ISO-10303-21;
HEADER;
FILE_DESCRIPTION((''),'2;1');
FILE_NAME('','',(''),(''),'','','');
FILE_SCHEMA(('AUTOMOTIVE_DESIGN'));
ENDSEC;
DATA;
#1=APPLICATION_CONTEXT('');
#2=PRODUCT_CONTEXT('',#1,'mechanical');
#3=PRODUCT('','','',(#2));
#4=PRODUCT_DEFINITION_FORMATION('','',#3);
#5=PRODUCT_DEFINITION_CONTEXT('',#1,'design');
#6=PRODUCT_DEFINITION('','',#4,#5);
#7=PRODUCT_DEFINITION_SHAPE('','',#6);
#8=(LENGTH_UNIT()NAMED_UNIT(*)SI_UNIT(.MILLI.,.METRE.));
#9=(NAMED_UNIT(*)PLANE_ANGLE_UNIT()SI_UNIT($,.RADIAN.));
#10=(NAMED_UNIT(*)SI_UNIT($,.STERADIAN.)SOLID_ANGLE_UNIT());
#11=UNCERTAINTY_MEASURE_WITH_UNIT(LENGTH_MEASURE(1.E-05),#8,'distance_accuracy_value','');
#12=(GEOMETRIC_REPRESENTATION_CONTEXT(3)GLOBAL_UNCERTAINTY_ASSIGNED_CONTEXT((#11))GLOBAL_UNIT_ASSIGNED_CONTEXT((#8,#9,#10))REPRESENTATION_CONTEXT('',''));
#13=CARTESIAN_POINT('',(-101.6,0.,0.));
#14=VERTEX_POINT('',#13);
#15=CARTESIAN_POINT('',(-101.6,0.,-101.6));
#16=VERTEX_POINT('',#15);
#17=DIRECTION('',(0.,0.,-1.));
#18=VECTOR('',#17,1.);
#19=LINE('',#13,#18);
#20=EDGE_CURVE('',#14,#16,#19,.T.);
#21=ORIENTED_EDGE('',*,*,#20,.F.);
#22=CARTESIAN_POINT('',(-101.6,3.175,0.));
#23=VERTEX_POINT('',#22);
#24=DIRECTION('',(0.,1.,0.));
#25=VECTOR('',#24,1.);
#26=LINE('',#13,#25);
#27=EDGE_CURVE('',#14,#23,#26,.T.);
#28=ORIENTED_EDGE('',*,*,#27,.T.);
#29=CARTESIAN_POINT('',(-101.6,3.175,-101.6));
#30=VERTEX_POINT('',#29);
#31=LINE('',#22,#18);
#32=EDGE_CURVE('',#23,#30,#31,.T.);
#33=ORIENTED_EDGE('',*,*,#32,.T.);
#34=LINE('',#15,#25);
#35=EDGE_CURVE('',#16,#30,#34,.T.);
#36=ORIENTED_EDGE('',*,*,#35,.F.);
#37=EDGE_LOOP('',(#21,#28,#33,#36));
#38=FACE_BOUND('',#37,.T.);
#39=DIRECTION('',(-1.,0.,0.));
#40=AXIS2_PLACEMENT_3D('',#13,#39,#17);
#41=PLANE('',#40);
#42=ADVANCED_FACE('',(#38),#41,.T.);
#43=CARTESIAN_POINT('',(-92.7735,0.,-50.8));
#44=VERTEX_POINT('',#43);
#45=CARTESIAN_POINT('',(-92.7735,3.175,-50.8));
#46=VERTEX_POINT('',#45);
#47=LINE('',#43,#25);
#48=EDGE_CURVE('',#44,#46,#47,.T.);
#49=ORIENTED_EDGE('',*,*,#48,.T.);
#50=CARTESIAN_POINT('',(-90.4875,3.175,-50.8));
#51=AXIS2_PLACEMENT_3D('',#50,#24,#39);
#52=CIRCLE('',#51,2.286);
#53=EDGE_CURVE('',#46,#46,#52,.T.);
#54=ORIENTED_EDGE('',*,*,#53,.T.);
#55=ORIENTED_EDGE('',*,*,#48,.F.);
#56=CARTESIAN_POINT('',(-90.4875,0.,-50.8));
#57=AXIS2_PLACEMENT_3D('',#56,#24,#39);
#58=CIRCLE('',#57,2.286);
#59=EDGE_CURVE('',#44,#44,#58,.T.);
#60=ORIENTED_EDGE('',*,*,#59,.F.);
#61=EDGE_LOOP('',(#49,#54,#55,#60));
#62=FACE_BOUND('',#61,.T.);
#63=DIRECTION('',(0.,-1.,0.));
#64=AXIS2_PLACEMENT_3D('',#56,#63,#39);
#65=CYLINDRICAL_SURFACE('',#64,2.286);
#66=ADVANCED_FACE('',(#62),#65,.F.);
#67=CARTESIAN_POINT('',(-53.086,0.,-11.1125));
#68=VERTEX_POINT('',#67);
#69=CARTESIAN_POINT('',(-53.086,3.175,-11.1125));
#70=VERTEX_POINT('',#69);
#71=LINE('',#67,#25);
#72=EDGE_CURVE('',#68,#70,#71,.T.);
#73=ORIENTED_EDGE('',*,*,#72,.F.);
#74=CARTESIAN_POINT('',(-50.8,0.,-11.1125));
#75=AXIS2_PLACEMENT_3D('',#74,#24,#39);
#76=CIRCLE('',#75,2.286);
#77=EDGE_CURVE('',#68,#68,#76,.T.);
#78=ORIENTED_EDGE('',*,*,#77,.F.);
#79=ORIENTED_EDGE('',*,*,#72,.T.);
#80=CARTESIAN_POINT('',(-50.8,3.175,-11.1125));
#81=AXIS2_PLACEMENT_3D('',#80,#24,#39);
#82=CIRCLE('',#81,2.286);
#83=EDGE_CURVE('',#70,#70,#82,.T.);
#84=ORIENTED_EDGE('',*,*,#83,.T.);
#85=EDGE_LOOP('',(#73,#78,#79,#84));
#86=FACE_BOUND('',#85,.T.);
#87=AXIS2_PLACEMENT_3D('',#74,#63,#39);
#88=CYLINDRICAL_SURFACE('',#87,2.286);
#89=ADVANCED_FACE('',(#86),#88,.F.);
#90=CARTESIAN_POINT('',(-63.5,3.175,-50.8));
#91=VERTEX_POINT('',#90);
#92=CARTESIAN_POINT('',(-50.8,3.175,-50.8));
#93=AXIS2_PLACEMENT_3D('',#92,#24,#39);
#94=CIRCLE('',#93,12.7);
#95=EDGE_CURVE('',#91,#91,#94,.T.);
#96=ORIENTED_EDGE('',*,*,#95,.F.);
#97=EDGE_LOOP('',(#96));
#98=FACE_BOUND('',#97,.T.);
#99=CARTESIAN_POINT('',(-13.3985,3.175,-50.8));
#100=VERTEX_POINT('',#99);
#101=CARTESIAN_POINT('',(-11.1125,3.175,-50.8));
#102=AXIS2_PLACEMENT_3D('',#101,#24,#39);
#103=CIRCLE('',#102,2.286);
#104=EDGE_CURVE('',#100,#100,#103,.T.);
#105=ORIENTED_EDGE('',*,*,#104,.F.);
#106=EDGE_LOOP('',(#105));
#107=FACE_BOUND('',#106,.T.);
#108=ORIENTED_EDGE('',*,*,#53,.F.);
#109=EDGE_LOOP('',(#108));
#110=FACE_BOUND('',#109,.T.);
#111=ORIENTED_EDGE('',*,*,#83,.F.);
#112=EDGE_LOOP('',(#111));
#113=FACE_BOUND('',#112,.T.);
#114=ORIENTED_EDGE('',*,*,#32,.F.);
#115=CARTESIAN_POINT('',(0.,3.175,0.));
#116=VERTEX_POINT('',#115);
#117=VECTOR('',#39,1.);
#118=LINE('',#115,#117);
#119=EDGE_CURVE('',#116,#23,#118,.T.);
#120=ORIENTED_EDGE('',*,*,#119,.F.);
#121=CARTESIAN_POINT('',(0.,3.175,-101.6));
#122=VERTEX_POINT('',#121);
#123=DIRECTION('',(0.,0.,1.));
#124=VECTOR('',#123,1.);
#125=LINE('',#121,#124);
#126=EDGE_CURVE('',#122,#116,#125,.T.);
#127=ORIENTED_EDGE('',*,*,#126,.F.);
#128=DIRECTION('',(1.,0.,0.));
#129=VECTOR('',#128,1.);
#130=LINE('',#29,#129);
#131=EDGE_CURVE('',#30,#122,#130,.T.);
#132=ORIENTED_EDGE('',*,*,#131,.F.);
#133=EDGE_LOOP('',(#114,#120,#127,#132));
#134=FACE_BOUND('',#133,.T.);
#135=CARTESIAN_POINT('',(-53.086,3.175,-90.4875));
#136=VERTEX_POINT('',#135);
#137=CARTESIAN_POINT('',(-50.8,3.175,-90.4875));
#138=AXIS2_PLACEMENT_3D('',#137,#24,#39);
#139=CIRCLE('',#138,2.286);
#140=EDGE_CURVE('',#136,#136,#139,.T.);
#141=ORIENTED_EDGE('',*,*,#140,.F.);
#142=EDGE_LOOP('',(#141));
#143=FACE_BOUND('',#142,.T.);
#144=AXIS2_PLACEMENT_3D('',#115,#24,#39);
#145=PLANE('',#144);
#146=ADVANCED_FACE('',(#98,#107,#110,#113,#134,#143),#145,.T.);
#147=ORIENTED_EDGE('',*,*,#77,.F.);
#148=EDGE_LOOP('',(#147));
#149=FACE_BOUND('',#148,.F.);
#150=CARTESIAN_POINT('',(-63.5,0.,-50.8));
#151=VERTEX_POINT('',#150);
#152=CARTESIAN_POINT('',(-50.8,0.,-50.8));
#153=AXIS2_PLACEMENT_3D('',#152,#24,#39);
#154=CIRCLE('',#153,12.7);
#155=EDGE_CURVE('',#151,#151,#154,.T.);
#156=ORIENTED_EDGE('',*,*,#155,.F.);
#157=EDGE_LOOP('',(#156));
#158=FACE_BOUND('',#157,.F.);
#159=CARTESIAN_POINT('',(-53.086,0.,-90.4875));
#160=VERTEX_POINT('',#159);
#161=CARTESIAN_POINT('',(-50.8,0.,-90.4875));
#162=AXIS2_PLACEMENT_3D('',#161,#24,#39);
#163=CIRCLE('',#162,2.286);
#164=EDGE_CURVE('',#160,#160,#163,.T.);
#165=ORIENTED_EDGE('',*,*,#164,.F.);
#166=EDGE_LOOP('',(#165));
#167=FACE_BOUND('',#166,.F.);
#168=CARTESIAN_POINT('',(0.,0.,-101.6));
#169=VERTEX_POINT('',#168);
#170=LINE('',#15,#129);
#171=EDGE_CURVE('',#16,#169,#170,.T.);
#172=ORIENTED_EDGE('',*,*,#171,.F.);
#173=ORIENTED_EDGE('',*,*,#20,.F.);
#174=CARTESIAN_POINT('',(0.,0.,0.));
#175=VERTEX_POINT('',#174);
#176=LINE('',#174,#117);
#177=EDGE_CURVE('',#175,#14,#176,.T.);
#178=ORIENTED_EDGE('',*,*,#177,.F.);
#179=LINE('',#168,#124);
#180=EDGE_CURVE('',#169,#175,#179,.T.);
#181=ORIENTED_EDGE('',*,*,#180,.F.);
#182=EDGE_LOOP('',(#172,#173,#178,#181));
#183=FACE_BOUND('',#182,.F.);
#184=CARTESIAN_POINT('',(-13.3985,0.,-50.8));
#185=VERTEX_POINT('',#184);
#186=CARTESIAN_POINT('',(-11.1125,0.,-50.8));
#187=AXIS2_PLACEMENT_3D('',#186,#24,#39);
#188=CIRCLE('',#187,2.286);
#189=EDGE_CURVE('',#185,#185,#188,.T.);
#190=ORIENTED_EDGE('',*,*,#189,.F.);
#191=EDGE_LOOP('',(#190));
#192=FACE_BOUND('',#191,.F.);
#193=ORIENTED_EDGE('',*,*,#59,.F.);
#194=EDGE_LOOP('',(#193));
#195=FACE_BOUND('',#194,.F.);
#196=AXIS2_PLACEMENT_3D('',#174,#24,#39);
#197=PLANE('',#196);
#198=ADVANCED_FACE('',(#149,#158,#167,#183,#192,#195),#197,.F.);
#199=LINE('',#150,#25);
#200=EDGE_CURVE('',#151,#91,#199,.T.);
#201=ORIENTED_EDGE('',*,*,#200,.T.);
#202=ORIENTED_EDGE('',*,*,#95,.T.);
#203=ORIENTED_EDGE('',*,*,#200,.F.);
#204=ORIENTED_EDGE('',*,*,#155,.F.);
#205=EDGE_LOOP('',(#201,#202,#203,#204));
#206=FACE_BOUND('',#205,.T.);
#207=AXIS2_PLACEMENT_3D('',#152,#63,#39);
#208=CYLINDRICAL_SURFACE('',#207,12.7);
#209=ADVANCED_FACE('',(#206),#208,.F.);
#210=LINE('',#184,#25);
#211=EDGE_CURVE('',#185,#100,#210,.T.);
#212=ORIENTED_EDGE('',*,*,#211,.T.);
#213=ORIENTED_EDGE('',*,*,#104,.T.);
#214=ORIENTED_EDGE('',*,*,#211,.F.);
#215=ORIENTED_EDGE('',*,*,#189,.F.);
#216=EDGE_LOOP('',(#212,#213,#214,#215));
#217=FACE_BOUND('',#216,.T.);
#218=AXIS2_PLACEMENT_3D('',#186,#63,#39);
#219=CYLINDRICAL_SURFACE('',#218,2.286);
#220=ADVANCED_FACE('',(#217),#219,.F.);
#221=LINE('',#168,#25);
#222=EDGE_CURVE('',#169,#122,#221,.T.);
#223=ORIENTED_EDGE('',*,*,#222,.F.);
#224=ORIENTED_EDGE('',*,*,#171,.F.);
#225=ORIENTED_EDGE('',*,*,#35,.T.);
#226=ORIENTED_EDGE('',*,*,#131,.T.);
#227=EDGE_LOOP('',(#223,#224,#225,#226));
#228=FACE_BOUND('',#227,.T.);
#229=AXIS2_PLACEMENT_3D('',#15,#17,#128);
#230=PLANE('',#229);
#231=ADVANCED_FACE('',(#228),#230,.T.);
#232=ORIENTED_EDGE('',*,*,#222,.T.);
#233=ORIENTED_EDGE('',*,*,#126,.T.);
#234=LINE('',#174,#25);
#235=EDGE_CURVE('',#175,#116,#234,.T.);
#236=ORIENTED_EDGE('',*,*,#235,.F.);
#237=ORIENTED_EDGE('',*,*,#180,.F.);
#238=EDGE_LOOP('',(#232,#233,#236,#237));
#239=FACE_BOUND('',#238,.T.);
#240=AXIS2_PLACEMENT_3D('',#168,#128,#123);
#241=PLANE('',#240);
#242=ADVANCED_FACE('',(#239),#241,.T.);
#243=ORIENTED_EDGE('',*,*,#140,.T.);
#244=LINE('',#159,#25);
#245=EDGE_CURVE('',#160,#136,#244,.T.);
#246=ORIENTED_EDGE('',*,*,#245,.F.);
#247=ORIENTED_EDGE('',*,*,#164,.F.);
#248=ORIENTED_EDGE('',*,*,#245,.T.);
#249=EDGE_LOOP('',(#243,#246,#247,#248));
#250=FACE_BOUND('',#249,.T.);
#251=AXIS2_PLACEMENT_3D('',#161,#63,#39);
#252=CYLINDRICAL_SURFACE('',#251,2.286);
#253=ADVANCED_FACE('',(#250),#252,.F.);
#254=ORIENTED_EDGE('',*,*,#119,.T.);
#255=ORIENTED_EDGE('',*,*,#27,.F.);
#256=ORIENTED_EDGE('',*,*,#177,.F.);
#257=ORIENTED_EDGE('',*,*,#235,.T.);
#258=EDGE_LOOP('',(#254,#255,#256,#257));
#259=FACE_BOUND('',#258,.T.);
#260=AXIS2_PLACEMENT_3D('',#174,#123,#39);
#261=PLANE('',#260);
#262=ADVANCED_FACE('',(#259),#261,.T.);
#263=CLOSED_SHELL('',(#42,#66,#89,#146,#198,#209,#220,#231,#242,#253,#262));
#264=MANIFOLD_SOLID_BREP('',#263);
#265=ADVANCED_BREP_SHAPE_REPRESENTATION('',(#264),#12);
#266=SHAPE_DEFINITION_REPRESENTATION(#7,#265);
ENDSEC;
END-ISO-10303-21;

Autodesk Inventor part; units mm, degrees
ref_plane "YZ Plane" through (0, 0, 0) normal (1, 0, 0) x (0, 1, 0)
ref_plane "XZ Plane" through (0, 0, 0) normal (0, 1, 0) x (-1, 0, 0)
ref_plane "XY Plane" through (0, 0, 0) normal (0, 0, 1) x (1, 0, 0)
sketch "Sketch1" plane through (0, 0, 0) normal (0, 1, 0) x (-1, 0, 0)
  line L0 (0, 0) -> (101.6, 0)
  line L1 (101.6, 0) -> (101.6, -101.6)
  line L2 (101.6, -101.6) -> (0, -101.6)
  line L3 (0, -101.6) -> (0, 0)
  circle A0 centre (90.4875, -50.8) radius 2.286
  circle A1 centre (50.8, -50.8) radius 12.7
  circle A2 centre (50.8, -90.4875) radius 2.286
  circle A3 centre (11.1125, -50.8) radius 2.286
  circle A4 centre (50.8, -11.1125) radius 2.286
  point P0 (101.6, -50.8)
  point P1 (50.8, -101.6)
  dimension "d0" = 101.6
  dimension "d1" = 101.6
  dimension "d2" = 4.572
  dimension "d3" = 11.1125
  dimension "d4" = 25.4
  dimension "d7" = 360
extrude "Extrusion1" add sketch "Sketch1" along normal blind 3.175
properties part number "Top plate" material "Acetal Resin, White"
